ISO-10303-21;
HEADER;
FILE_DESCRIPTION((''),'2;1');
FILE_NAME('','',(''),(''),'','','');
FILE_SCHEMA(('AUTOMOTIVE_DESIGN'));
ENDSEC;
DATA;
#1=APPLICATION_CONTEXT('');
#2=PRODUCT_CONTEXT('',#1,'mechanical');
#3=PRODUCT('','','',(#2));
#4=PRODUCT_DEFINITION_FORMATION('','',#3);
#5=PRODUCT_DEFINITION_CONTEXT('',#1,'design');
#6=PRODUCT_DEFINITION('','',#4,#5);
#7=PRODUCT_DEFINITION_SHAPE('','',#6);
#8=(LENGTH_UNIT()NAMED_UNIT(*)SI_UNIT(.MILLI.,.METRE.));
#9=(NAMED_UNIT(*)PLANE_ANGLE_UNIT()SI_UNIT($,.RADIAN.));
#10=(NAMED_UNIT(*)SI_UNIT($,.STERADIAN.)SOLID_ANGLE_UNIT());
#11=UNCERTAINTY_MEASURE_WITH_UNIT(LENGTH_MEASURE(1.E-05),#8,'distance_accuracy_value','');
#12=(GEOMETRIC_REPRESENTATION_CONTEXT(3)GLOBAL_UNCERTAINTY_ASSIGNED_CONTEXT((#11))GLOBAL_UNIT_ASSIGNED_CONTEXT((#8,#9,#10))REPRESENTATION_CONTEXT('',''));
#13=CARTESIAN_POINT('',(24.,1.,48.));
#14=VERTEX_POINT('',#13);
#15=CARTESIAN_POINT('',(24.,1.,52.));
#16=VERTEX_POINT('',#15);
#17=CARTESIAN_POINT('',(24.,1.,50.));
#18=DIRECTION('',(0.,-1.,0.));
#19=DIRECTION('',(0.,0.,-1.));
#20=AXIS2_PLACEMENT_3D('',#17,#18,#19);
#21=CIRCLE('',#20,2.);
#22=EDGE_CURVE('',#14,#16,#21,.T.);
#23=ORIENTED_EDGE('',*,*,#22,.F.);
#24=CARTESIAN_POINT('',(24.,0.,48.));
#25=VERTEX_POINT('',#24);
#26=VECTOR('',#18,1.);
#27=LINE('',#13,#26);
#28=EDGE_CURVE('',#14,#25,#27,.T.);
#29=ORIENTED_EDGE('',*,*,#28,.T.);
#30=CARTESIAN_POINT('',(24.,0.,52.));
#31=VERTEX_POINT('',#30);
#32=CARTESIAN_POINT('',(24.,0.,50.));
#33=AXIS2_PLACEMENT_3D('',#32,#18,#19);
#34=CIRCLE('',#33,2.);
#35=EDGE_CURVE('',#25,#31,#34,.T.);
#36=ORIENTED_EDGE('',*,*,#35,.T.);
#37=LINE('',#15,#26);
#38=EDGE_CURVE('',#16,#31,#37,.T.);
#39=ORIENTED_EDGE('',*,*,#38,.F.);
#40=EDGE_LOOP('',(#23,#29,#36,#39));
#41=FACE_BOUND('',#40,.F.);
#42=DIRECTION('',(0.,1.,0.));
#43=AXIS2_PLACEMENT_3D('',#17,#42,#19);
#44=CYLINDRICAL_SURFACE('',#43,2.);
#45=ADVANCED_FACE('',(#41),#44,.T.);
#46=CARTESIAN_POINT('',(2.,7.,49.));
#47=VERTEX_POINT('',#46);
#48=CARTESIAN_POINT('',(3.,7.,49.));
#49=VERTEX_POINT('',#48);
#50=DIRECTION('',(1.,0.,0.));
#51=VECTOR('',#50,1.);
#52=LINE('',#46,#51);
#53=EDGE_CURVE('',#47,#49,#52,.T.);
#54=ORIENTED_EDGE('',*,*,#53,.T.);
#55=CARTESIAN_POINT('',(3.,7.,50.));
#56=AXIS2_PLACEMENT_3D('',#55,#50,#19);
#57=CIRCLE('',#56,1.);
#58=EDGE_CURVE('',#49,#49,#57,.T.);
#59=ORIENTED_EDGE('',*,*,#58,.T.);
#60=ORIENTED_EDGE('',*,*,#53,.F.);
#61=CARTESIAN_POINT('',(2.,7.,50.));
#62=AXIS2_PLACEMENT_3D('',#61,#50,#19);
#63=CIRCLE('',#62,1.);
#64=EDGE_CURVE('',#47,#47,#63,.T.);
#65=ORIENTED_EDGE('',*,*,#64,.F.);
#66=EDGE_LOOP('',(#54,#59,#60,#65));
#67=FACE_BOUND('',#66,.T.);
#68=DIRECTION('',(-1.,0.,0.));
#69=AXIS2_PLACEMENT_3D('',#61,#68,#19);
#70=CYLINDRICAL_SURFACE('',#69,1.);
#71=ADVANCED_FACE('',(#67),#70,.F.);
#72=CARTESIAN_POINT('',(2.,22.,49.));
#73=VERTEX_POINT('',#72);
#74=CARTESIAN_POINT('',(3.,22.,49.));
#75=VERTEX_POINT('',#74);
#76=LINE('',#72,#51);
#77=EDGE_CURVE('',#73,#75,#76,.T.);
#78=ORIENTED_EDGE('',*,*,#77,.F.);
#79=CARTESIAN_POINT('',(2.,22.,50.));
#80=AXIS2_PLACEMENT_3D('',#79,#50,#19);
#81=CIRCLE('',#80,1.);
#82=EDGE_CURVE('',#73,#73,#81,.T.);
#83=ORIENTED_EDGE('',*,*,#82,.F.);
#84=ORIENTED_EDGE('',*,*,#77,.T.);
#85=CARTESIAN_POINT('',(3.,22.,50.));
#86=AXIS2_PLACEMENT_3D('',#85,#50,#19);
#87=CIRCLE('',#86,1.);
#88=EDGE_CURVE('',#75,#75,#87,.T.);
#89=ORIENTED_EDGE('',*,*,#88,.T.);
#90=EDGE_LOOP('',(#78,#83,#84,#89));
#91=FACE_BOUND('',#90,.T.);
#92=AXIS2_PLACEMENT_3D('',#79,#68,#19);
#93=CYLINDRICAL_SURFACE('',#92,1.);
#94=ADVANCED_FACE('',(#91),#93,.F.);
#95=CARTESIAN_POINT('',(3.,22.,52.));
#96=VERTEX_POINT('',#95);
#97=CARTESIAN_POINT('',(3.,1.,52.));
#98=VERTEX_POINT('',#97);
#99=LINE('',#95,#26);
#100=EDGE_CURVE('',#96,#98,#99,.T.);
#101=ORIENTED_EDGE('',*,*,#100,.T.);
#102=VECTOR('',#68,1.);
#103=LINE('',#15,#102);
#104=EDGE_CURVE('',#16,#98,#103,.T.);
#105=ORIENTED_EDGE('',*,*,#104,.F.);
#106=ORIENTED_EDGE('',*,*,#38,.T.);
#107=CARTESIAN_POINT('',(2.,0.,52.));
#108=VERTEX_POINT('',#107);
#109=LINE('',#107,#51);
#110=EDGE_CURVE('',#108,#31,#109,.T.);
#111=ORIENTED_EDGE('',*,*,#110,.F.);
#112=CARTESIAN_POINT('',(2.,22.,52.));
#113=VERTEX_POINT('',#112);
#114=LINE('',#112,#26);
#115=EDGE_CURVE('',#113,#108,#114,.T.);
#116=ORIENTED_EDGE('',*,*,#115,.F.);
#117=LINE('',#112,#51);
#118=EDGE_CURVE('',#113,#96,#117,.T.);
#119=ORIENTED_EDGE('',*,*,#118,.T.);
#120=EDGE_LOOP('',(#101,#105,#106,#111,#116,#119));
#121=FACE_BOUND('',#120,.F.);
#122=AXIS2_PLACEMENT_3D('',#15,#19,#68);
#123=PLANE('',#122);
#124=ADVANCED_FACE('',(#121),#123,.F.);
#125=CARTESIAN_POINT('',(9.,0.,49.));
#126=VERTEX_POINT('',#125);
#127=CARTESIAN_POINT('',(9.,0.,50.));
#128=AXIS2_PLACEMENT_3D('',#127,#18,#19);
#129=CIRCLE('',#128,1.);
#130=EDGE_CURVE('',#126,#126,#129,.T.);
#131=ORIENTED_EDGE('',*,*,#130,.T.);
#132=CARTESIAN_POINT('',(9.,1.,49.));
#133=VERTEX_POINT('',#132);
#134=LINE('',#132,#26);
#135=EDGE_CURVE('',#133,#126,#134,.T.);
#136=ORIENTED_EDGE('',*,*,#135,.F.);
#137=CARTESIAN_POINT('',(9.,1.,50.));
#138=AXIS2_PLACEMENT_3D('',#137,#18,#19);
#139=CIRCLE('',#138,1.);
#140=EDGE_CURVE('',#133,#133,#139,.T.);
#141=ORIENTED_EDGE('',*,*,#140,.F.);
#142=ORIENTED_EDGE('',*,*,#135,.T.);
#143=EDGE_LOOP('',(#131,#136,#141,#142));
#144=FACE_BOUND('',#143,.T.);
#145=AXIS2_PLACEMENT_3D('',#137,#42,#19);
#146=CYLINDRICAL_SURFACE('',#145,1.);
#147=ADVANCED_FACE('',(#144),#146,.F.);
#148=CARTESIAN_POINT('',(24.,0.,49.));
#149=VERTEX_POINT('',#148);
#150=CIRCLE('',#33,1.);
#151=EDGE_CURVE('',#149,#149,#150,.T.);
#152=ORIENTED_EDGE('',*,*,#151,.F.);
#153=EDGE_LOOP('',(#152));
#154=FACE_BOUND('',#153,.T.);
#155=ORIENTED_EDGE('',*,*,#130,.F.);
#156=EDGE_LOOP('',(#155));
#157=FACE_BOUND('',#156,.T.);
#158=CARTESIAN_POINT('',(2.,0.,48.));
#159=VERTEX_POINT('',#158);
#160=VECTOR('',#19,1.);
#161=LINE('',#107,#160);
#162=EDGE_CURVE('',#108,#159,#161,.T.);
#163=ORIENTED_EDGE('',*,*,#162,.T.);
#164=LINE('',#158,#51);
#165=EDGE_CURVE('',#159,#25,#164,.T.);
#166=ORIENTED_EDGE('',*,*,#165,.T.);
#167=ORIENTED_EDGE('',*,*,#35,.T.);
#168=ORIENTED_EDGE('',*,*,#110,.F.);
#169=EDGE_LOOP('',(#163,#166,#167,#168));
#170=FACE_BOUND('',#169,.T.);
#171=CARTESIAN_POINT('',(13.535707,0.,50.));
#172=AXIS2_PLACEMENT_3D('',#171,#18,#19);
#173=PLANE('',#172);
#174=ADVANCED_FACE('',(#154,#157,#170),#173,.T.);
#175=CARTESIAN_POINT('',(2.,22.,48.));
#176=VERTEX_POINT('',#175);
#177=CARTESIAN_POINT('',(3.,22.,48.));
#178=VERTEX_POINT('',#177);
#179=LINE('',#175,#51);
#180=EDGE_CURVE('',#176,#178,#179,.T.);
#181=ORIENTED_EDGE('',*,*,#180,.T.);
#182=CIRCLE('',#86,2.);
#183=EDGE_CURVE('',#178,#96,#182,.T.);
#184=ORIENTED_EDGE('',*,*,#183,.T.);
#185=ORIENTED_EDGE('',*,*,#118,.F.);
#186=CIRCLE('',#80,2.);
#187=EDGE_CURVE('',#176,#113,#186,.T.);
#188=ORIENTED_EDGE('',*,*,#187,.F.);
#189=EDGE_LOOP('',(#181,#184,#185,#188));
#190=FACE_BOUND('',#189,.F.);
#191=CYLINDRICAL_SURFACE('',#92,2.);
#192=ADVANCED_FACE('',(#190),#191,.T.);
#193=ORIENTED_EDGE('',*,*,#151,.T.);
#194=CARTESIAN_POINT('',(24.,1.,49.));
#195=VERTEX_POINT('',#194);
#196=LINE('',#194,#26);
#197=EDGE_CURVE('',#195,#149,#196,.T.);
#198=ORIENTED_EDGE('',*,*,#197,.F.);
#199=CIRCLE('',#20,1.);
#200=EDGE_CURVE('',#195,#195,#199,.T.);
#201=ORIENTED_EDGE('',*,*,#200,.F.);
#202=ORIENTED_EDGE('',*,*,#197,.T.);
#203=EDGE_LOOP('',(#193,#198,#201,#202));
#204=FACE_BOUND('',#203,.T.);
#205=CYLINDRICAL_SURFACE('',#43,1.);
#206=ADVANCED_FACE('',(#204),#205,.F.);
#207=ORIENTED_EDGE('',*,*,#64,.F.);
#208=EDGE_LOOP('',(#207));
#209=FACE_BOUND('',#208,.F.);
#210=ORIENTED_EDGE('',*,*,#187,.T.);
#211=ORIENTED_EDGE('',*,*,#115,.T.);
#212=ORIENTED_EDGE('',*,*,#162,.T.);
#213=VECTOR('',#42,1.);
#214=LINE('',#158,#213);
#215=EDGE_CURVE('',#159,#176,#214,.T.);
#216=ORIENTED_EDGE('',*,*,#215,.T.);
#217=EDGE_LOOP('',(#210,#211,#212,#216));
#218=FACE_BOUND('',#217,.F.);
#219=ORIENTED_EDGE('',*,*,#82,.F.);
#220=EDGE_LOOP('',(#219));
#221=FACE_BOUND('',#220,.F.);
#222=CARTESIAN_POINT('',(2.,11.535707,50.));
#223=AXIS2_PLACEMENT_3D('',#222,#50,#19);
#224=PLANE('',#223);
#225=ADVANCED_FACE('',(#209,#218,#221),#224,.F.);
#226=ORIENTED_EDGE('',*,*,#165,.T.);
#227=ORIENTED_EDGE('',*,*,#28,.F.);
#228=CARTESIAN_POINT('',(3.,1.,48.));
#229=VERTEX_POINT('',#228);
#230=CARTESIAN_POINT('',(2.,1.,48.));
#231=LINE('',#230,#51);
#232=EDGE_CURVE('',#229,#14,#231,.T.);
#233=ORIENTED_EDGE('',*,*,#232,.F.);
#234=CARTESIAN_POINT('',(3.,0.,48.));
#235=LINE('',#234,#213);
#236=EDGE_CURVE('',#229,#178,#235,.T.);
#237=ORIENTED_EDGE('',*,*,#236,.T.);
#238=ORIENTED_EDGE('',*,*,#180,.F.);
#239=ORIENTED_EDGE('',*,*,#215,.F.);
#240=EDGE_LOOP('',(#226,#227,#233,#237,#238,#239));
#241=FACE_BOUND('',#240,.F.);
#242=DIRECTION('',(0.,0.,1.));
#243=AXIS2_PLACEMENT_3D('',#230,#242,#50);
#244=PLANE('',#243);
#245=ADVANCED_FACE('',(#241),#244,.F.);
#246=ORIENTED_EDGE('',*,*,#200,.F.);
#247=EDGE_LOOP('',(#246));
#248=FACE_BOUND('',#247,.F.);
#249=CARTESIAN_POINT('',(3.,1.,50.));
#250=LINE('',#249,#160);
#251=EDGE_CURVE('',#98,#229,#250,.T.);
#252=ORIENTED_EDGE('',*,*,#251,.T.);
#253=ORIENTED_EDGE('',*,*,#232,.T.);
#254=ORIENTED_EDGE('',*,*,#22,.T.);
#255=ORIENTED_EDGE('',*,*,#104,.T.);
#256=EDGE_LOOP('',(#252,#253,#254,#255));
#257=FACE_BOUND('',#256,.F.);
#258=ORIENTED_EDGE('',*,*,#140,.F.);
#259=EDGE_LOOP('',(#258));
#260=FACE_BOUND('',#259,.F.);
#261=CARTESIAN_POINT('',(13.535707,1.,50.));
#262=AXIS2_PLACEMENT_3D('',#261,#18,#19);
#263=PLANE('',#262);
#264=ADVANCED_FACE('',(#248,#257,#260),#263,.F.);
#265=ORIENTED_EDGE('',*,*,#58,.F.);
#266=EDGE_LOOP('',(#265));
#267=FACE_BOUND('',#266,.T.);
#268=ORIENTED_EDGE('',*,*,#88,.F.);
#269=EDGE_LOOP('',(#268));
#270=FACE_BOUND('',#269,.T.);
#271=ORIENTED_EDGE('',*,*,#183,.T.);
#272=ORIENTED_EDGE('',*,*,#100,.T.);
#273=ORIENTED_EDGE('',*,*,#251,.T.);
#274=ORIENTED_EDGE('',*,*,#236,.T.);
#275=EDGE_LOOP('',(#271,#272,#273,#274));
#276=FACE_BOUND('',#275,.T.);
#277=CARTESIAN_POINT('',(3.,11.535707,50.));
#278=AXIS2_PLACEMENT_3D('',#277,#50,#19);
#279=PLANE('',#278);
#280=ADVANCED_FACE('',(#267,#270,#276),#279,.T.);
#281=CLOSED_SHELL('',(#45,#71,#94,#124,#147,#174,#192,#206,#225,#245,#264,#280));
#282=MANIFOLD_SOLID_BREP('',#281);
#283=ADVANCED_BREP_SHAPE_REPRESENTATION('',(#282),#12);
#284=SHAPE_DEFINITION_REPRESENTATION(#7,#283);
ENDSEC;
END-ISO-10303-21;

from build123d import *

# Parameters (mm, degrees)
SKETCH115_R            = 1
PAD074_DEPTH           = 1
SKETCH116_R            = 1
PAD075_DEPTH           = 1
FUSION_PLACEMENT_ANGLE = 90


with BuildPart() as flat:
    # Sketch115 → Pad074 (new body)
    with BuildSketch(Plane.XY):
        with BuildLine():
            Line((0, 22), (0, 0))
            Line((0, 0), (4, 0))
            Line((4, 0), (4, 22))
            ThreePointArc((4, 22), (2, 24), (0, 22))
        make_face()
        with Locations((2, 22)):
            Circle(SKETCH115_R, mode=Mode.SUBTRACT)
        with Locations((2, 7)):
            Circle(SKETCH115_R, mode=Mode.SUBTRACT)
    extrude(amount=PAD074_DEPTH)


with BuildPart() as high:
    # Pad075 base: copy of Flat
    add(flat.part)

    # Sketch116 → Pad075 (new body)
    with BuildSketch(Plane.XZ.offset(-1)):
        with BuildLine():
            Line((0, 22), (0, 0))
            Line((0, 0), (4, 0))
            Line((4, 0), (4, 22))
            ThreePointArc((4, 22), (2, 24), (0, 22))
        make_face()
        with Locations((2, 22)):
            Circle(SKETCH116_R, mode=Mode.SUBTRACT)
        with Locations((2, 7)):
            Circle(SKETCH116_R, mode=Mode.SUBTRACT)
    extrude(amount=PAD075_DEPTH)


with BuildPart() as fusion:
    # Fusion base: copy of Flat
    add(flat.part)

    # Fusion: union High
    add(high.part)


with BuildPart() as fusion_1:
    # Fusion placement: moved
    add(fusion.part.moved(Location((2, 0, 52))).rotate(Axis((2, 0, 52), (0, 1, 0)), FUSION_PLACEMENT_ANGLE))


solid = fusion_1.part
